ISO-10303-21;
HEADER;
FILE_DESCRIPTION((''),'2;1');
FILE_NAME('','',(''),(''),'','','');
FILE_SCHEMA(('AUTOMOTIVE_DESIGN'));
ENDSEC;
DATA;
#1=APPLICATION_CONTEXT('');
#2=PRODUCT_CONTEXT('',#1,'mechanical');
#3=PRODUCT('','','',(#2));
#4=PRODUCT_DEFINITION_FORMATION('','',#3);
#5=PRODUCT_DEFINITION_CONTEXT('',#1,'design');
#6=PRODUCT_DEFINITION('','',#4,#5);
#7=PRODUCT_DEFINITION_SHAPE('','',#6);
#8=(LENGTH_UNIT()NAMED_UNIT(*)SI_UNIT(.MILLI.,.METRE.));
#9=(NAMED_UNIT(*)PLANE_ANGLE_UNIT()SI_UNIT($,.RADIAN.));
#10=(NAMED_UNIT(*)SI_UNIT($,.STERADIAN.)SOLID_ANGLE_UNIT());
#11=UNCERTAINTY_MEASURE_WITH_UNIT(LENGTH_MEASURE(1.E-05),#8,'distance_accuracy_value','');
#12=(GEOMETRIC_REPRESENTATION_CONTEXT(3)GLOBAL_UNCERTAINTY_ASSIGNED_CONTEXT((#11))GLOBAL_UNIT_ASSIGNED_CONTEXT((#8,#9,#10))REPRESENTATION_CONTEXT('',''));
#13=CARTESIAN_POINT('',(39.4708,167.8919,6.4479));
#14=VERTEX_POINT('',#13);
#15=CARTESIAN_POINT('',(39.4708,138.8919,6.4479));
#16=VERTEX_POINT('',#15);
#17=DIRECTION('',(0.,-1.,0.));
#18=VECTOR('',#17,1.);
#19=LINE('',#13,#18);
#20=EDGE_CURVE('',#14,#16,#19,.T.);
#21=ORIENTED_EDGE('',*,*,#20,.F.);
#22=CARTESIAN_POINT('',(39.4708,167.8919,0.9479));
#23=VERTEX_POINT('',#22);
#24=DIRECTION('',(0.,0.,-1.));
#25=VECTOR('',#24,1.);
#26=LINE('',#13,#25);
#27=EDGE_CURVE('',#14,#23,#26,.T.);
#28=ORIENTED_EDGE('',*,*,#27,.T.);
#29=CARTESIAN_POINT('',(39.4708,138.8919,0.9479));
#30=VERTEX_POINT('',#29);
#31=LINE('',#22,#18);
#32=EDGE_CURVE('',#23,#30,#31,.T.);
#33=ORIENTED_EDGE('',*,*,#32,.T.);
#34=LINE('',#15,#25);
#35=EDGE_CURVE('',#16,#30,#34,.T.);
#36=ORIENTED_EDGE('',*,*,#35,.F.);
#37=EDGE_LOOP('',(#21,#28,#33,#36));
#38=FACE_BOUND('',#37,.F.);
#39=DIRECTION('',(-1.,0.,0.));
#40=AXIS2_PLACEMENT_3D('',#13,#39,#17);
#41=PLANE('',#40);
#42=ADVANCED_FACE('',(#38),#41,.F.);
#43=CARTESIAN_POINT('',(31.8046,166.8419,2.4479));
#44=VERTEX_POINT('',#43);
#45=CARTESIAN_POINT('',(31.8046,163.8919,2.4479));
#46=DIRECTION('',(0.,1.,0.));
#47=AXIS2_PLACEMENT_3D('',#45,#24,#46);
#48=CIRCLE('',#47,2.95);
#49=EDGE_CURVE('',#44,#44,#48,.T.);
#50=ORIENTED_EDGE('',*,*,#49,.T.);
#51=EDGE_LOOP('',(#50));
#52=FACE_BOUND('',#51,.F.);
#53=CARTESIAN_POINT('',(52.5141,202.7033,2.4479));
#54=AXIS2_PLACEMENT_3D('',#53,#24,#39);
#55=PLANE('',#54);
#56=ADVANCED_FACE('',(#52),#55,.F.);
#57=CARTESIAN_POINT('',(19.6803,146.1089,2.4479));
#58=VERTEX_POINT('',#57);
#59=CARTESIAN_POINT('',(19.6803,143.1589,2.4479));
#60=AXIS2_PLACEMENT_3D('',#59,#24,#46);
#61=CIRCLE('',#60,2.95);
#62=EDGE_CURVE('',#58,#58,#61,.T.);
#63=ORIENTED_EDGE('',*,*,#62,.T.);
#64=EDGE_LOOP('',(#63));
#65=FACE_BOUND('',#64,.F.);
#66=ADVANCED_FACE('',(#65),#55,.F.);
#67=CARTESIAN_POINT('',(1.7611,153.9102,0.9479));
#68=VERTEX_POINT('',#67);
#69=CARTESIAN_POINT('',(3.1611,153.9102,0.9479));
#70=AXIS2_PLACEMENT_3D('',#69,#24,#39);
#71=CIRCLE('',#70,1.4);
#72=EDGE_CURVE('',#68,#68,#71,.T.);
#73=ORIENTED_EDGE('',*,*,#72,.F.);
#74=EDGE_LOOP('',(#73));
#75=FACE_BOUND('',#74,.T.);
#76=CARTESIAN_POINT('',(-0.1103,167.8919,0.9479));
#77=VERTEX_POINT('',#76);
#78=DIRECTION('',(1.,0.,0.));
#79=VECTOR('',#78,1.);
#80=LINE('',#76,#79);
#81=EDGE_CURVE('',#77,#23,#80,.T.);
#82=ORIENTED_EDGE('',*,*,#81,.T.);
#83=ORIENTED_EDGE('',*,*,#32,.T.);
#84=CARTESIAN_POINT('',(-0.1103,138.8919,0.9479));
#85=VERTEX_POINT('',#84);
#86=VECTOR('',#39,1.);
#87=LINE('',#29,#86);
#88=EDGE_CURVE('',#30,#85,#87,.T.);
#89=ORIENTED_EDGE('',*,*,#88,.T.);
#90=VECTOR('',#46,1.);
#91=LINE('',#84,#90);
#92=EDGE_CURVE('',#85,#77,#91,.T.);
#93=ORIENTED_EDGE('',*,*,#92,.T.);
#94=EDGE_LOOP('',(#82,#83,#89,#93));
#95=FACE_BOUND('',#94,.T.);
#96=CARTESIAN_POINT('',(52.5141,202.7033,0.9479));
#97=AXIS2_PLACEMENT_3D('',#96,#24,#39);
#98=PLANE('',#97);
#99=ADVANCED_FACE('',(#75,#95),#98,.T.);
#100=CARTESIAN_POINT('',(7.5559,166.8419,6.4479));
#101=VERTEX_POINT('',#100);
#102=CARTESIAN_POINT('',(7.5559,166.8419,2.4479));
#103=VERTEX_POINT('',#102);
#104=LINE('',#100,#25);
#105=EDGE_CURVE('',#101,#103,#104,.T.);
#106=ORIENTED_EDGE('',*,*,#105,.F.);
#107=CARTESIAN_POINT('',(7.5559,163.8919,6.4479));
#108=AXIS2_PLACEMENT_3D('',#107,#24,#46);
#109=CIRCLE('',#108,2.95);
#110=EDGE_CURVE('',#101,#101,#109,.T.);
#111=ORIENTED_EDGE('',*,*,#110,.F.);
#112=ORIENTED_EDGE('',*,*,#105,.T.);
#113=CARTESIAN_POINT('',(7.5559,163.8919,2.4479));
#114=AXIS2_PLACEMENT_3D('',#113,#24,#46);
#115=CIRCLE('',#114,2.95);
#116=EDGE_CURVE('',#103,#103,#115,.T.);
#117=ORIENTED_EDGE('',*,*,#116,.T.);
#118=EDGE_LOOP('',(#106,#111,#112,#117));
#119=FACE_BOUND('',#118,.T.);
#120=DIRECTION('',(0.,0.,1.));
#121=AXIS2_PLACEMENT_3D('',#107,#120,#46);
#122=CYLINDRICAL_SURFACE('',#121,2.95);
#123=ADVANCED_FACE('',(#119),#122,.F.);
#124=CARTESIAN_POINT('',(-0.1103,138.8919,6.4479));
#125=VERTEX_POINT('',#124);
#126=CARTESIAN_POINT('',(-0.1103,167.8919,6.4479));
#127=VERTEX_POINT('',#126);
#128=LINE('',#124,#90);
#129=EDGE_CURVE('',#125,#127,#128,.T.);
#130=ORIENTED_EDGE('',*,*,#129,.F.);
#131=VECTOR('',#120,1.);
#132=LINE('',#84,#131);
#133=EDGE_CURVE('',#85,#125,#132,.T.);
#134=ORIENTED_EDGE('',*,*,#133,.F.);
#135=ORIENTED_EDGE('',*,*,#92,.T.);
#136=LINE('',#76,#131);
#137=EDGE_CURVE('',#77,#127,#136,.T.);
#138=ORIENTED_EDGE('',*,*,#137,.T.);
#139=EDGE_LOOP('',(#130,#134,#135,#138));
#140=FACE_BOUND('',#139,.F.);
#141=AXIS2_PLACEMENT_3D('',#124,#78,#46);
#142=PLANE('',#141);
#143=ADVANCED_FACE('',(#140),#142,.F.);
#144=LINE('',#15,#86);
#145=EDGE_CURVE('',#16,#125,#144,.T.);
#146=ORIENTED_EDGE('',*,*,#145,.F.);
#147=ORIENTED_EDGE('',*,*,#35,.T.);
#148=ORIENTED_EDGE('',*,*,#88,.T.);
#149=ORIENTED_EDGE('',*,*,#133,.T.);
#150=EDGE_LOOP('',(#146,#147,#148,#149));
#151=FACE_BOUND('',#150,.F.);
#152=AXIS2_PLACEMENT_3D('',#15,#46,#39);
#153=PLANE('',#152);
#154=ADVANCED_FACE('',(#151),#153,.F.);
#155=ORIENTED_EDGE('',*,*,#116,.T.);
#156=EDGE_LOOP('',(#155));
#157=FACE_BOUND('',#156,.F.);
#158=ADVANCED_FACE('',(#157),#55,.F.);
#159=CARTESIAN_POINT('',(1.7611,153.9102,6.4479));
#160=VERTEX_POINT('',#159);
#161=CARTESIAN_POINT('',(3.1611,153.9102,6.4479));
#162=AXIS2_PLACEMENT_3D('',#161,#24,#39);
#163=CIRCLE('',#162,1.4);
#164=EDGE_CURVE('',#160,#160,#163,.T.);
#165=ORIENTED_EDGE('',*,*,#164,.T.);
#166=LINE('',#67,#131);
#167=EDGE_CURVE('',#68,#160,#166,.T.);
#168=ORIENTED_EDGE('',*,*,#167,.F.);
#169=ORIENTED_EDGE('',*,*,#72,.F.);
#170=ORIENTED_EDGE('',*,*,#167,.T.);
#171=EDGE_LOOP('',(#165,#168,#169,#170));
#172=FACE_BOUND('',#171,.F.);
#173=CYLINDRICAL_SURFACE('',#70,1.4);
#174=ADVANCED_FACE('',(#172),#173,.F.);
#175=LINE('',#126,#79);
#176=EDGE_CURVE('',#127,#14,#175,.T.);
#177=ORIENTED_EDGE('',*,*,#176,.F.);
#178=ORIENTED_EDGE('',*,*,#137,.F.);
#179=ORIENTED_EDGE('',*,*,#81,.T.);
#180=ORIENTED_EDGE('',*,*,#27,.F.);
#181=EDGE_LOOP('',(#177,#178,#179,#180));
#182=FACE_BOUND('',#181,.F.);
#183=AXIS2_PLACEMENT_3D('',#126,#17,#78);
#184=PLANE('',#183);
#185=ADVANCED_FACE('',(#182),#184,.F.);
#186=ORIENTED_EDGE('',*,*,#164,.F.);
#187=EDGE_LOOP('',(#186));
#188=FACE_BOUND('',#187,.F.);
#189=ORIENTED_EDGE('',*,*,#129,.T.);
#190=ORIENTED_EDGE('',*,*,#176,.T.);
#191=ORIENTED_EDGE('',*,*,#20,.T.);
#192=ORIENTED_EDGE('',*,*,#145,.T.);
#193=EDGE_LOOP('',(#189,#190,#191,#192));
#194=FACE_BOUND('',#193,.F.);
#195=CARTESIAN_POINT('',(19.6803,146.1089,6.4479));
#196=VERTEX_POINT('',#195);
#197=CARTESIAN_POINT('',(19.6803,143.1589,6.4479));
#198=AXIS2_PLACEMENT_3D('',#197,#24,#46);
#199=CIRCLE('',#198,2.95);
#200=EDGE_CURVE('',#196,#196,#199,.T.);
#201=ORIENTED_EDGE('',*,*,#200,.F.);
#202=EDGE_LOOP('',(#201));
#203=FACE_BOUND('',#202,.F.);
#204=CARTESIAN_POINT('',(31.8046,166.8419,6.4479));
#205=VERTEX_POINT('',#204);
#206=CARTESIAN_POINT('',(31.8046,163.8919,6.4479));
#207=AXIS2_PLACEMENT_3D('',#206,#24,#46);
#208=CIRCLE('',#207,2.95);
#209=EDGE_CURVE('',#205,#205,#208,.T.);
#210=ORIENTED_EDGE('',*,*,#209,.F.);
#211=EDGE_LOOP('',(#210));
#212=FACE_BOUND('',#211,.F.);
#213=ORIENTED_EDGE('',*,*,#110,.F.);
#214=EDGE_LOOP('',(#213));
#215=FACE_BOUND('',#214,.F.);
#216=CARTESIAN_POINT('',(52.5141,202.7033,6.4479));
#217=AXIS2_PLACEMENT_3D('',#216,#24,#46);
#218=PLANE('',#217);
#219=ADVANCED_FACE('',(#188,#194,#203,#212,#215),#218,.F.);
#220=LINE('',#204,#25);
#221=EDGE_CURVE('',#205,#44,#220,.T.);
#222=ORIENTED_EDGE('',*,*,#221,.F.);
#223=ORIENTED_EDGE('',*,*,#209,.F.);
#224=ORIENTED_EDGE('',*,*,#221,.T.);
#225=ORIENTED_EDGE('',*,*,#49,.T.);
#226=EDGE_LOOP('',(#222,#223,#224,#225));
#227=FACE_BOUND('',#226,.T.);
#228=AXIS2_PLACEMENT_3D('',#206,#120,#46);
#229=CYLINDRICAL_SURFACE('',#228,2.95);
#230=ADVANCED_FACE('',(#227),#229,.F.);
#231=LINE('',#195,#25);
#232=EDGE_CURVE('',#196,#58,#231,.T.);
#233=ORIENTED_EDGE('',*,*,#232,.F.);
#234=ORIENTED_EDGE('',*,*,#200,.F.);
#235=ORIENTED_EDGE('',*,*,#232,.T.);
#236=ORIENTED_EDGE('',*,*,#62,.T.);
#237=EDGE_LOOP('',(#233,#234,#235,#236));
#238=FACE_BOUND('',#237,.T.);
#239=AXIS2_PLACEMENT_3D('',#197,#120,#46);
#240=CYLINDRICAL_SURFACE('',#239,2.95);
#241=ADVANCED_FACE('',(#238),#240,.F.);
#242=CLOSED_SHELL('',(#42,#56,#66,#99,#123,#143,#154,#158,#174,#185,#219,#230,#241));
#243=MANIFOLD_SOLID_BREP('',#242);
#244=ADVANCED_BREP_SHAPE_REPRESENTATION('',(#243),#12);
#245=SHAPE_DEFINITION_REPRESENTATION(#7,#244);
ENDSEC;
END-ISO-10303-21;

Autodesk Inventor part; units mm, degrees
ref_plane "YZ Plane" through (0, 0, 0) normal (1, 0, 0) x (0, 1, 0)
ref_plane "XZ Plane" through (0, 0, 0) normal (0, 1, 0) x (-1, 0, 0)
ref_plane "XY Plane" through (0, 0, 0) normal (0, 0, 1) x (1, 0, 0)
ref_plane "Work Plane1" through (52.5141, 202.7033, 6.4479) normal (0, 0, -1) x (0, 1, 0)
sketch "Sketch1" plane through (52.5141, 202.7033, 6.4479) normal (0, 0, -1) x (0, 1, 0)
  line L0 (-34.8114, -13.0433) -> (-63.8114, -13.0433)
  line L1 (-63.8114, -13.0433) -> (-63.8114, -52.6244)
  line L2 (-63.8114, -52.6244) -> (-34.8114, -52.6244)
  line L3 (-34.8114, -52.6244) -> (-34.8114, -13.0433)
  circle A0 centre (-59.5444, -32.8338) radius 2.95
  circle A1 centre (-38.8114, -20.7095) radius 2.95
  circle A2 centre (-38.8114, -44.9582) radius 2.95 construction
  line L4 (-60.26, -25.0657) -> (-36.5, -25.0657) construction
  line L5 (-36.5, -25.0657) -> (-36.5, -52.0657) construction
  line L6 (-60.26, -52.0657) -> (-60.26, -25.0657) construction
  line L7 (-57.1632, -22.5233) -> (-33.4032, -22.5233) construction
  line L8 (-33.4032, -22.5233) -> (-33.4032, -49.5233) construction
  line L9 (-33.4032, -49.5233) -> (-57.1632, -49.5233) construction
  line L10 (-57.1632, -49.5233) -> (-57.1632, -22.5233) construction
  circle A3 centre (-38.8114, -44.9582) radius 2.95
  point P0 (-202.7033, -52.5141)
  point P1 (-56.7146, -27.9576)
  point P2 (-25.3114, -32.8338)
  dimension "d4" = 5.9
  dimension "d5" = 5.9
  dimension "d6" = 5.9
  dimension "d37" = 12.1244
  dimension "d38" = 12.1244
extrude "Extrusion1" add sketch "Sketch1" along normal blind 4
sketch "Sketch2" plane through (52.5141, 202.7033, 2.4479) normal (0, 0, -1) x (-1, 0, 0)
  circle A0 centre (44.9582, -38.8114) radius 2.95 projected
  circle A1 centre (20.7095, -38.8114) radius 2.95 projected
  circle A2 centre (32.8338, -59.5444) radius 2.95 projected
  line L0 (13.0433, -34.8114) -> (13.0433, -63.8114) projected
  line L1 (13.0433, -63.8114) -> (52.6244, -63.8114) projected
  line L2 (52.6244, -63.8114) -> (52.6244, -34.8114) projected
  line L3 (52.6244, -34.8114) -> (13.0433, -34.8114) projected
  point P0 (52.5141, -202.7033)
extrude "Extrusion2" add sketch "Sketch2" along normal blind 1.5 contours A0 | A1 | A2 | L3 L2 L1 L0
sketch "Sketch5" plane through (52.5141, 202.7033, 0.9479) normal (0, 0, -1) x (-1, 0, 0)
  arc A0 (46.5221, -54.1283) -> (46.5221, -43.4579) centre (46.5221, -48.7931) ccw projected
  circle A1 centre (49.353, -48.7931) radius 1.4
  point P0 (52.5141, -202.7033)
  dimension "d30" = 2.8
extrude "Extrusion5" cut sketch "Sketch5" against normal through all
equation "\"d31\" = d30"
properties part number "cellSTORM_v5_chiptray_old_0"
